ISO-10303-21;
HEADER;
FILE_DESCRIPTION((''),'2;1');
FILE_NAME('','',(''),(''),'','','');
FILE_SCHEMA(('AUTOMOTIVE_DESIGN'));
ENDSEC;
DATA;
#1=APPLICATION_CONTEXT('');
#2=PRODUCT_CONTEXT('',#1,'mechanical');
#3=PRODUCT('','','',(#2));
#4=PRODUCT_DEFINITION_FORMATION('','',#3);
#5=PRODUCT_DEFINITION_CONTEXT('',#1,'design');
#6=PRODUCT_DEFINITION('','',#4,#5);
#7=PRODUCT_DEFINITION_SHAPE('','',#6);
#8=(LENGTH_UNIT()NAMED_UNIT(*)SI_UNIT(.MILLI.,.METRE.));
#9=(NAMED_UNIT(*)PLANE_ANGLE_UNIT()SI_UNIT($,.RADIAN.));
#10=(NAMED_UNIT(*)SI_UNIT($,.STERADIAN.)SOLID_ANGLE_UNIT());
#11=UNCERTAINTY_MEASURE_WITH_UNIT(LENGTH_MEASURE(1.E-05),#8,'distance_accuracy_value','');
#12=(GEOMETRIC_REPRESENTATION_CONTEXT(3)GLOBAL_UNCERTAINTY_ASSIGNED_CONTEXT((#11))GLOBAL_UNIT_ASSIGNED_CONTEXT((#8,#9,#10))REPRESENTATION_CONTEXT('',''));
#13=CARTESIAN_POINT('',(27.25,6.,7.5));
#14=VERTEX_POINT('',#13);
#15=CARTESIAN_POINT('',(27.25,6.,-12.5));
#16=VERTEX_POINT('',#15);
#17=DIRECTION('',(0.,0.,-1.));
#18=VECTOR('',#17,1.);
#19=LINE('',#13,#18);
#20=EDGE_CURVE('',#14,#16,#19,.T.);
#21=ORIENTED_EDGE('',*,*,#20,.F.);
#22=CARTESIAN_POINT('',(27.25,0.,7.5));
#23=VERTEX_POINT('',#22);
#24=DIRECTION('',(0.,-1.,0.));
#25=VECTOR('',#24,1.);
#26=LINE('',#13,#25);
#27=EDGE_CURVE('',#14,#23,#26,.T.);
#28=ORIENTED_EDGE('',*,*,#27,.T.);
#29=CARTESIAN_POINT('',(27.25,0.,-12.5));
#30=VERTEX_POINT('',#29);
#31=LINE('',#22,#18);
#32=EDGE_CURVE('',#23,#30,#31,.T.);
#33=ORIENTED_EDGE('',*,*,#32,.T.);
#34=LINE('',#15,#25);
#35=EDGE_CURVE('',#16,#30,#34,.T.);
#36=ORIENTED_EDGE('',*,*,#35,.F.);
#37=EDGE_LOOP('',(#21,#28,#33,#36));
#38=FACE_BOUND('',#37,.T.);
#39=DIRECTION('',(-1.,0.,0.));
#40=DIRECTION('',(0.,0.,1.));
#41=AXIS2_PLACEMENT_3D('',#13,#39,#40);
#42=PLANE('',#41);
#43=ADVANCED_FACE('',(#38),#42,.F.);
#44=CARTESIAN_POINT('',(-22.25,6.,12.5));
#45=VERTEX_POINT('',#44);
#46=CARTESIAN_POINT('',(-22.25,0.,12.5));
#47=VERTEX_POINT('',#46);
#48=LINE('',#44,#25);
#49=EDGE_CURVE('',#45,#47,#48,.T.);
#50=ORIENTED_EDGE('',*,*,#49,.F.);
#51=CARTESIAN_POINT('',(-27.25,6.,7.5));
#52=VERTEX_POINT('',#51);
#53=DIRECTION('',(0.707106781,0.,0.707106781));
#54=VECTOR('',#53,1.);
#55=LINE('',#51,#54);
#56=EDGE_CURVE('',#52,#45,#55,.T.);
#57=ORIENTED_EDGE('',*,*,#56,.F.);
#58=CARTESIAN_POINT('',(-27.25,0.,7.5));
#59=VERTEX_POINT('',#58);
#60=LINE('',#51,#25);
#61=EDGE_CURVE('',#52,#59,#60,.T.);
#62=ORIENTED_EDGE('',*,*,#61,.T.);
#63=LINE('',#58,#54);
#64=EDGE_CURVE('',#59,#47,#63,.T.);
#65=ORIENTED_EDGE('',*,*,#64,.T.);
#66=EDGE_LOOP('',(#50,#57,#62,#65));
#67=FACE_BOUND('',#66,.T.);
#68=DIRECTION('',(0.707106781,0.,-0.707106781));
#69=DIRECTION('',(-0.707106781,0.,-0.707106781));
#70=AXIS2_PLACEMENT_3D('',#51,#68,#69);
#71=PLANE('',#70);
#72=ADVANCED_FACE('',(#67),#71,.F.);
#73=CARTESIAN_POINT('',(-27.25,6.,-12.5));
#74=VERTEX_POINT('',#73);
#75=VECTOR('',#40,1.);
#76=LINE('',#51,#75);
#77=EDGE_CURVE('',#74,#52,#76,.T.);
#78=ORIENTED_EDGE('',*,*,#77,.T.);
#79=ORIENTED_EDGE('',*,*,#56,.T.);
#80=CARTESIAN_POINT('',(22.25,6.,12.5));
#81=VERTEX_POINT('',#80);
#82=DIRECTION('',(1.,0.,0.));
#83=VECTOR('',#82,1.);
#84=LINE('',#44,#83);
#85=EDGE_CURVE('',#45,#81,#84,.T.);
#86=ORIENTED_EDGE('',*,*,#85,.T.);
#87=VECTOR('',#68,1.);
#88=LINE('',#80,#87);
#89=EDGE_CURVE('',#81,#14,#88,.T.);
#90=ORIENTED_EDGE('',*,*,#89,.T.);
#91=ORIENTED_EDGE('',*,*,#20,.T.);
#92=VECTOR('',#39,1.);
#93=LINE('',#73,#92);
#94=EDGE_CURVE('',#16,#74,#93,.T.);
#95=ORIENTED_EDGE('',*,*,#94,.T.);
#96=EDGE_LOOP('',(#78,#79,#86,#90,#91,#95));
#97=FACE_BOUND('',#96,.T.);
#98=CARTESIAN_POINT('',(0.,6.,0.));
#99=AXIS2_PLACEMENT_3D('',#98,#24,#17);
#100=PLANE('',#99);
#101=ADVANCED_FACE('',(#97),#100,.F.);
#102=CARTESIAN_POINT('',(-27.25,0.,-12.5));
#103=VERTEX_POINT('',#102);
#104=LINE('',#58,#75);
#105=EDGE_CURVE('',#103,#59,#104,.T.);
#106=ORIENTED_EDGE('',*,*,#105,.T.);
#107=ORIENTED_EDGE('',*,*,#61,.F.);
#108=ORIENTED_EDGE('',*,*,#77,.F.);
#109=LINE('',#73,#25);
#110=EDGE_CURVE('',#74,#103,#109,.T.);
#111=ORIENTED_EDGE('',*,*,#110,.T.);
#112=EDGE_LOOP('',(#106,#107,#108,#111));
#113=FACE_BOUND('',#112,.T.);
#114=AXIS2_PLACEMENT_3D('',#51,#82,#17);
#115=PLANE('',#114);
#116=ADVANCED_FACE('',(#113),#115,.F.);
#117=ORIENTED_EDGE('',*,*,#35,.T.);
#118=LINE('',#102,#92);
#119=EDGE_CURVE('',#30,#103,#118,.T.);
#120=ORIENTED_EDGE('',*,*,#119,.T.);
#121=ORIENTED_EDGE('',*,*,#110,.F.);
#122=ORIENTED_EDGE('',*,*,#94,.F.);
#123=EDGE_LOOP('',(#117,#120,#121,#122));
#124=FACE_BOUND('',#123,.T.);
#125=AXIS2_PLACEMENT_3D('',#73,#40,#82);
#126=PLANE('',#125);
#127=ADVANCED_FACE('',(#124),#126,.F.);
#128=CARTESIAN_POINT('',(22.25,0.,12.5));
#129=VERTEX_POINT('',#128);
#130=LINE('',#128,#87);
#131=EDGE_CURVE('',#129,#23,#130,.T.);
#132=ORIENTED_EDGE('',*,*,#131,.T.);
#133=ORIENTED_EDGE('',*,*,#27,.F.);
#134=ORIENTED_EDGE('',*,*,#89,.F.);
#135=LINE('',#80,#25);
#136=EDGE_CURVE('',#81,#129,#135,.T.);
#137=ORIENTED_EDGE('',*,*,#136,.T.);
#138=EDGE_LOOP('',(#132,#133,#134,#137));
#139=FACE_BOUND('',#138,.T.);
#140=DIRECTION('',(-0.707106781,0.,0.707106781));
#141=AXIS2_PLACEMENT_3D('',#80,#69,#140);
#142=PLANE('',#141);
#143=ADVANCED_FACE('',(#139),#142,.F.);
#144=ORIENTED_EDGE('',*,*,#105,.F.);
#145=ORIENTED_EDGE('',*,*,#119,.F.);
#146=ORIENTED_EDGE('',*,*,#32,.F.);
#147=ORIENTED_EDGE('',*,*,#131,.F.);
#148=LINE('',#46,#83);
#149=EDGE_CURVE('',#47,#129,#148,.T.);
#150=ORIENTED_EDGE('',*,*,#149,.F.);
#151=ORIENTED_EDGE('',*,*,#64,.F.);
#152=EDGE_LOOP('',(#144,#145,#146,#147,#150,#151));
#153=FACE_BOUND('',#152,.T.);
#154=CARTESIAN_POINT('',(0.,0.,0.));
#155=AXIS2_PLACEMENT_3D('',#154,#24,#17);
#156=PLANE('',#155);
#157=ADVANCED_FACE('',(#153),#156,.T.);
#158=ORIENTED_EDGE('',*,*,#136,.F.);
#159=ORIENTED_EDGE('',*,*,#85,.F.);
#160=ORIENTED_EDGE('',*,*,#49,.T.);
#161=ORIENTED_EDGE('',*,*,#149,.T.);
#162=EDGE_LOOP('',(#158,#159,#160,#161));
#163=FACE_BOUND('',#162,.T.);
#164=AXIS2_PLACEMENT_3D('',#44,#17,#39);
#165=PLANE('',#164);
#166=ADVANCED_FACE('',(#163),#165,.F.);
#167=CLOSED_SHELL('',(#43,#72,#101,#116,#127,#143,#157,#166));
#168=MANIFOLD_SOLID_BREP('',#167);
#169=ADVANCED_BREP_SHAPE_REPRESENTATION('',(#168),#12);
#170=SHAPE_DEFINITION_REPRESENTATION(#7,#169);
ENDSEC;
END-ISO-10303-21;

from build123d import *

# Parameters (mm, degrees)
BOSS_EXTRUDE1_DEPTH = 6


with BuildPart() as part:
    # Sketch1 → Boss-Extrude1 (new body)
    with BuildSketch(Plane(origin=(0, 0, 0), x_dir=(1, 0, 0), z_dir=(0, 1, 0))):
        Polygon((-27.25, -7.5), (-22.25, -12.5), (22.25, -12.5), (27.25, -7.5), (27.25, 12.5), (-27.25, 12.5), align=None)
    extrude(amount=BOSS_EXTRUDE1_DEPTH)


solid = part.part
